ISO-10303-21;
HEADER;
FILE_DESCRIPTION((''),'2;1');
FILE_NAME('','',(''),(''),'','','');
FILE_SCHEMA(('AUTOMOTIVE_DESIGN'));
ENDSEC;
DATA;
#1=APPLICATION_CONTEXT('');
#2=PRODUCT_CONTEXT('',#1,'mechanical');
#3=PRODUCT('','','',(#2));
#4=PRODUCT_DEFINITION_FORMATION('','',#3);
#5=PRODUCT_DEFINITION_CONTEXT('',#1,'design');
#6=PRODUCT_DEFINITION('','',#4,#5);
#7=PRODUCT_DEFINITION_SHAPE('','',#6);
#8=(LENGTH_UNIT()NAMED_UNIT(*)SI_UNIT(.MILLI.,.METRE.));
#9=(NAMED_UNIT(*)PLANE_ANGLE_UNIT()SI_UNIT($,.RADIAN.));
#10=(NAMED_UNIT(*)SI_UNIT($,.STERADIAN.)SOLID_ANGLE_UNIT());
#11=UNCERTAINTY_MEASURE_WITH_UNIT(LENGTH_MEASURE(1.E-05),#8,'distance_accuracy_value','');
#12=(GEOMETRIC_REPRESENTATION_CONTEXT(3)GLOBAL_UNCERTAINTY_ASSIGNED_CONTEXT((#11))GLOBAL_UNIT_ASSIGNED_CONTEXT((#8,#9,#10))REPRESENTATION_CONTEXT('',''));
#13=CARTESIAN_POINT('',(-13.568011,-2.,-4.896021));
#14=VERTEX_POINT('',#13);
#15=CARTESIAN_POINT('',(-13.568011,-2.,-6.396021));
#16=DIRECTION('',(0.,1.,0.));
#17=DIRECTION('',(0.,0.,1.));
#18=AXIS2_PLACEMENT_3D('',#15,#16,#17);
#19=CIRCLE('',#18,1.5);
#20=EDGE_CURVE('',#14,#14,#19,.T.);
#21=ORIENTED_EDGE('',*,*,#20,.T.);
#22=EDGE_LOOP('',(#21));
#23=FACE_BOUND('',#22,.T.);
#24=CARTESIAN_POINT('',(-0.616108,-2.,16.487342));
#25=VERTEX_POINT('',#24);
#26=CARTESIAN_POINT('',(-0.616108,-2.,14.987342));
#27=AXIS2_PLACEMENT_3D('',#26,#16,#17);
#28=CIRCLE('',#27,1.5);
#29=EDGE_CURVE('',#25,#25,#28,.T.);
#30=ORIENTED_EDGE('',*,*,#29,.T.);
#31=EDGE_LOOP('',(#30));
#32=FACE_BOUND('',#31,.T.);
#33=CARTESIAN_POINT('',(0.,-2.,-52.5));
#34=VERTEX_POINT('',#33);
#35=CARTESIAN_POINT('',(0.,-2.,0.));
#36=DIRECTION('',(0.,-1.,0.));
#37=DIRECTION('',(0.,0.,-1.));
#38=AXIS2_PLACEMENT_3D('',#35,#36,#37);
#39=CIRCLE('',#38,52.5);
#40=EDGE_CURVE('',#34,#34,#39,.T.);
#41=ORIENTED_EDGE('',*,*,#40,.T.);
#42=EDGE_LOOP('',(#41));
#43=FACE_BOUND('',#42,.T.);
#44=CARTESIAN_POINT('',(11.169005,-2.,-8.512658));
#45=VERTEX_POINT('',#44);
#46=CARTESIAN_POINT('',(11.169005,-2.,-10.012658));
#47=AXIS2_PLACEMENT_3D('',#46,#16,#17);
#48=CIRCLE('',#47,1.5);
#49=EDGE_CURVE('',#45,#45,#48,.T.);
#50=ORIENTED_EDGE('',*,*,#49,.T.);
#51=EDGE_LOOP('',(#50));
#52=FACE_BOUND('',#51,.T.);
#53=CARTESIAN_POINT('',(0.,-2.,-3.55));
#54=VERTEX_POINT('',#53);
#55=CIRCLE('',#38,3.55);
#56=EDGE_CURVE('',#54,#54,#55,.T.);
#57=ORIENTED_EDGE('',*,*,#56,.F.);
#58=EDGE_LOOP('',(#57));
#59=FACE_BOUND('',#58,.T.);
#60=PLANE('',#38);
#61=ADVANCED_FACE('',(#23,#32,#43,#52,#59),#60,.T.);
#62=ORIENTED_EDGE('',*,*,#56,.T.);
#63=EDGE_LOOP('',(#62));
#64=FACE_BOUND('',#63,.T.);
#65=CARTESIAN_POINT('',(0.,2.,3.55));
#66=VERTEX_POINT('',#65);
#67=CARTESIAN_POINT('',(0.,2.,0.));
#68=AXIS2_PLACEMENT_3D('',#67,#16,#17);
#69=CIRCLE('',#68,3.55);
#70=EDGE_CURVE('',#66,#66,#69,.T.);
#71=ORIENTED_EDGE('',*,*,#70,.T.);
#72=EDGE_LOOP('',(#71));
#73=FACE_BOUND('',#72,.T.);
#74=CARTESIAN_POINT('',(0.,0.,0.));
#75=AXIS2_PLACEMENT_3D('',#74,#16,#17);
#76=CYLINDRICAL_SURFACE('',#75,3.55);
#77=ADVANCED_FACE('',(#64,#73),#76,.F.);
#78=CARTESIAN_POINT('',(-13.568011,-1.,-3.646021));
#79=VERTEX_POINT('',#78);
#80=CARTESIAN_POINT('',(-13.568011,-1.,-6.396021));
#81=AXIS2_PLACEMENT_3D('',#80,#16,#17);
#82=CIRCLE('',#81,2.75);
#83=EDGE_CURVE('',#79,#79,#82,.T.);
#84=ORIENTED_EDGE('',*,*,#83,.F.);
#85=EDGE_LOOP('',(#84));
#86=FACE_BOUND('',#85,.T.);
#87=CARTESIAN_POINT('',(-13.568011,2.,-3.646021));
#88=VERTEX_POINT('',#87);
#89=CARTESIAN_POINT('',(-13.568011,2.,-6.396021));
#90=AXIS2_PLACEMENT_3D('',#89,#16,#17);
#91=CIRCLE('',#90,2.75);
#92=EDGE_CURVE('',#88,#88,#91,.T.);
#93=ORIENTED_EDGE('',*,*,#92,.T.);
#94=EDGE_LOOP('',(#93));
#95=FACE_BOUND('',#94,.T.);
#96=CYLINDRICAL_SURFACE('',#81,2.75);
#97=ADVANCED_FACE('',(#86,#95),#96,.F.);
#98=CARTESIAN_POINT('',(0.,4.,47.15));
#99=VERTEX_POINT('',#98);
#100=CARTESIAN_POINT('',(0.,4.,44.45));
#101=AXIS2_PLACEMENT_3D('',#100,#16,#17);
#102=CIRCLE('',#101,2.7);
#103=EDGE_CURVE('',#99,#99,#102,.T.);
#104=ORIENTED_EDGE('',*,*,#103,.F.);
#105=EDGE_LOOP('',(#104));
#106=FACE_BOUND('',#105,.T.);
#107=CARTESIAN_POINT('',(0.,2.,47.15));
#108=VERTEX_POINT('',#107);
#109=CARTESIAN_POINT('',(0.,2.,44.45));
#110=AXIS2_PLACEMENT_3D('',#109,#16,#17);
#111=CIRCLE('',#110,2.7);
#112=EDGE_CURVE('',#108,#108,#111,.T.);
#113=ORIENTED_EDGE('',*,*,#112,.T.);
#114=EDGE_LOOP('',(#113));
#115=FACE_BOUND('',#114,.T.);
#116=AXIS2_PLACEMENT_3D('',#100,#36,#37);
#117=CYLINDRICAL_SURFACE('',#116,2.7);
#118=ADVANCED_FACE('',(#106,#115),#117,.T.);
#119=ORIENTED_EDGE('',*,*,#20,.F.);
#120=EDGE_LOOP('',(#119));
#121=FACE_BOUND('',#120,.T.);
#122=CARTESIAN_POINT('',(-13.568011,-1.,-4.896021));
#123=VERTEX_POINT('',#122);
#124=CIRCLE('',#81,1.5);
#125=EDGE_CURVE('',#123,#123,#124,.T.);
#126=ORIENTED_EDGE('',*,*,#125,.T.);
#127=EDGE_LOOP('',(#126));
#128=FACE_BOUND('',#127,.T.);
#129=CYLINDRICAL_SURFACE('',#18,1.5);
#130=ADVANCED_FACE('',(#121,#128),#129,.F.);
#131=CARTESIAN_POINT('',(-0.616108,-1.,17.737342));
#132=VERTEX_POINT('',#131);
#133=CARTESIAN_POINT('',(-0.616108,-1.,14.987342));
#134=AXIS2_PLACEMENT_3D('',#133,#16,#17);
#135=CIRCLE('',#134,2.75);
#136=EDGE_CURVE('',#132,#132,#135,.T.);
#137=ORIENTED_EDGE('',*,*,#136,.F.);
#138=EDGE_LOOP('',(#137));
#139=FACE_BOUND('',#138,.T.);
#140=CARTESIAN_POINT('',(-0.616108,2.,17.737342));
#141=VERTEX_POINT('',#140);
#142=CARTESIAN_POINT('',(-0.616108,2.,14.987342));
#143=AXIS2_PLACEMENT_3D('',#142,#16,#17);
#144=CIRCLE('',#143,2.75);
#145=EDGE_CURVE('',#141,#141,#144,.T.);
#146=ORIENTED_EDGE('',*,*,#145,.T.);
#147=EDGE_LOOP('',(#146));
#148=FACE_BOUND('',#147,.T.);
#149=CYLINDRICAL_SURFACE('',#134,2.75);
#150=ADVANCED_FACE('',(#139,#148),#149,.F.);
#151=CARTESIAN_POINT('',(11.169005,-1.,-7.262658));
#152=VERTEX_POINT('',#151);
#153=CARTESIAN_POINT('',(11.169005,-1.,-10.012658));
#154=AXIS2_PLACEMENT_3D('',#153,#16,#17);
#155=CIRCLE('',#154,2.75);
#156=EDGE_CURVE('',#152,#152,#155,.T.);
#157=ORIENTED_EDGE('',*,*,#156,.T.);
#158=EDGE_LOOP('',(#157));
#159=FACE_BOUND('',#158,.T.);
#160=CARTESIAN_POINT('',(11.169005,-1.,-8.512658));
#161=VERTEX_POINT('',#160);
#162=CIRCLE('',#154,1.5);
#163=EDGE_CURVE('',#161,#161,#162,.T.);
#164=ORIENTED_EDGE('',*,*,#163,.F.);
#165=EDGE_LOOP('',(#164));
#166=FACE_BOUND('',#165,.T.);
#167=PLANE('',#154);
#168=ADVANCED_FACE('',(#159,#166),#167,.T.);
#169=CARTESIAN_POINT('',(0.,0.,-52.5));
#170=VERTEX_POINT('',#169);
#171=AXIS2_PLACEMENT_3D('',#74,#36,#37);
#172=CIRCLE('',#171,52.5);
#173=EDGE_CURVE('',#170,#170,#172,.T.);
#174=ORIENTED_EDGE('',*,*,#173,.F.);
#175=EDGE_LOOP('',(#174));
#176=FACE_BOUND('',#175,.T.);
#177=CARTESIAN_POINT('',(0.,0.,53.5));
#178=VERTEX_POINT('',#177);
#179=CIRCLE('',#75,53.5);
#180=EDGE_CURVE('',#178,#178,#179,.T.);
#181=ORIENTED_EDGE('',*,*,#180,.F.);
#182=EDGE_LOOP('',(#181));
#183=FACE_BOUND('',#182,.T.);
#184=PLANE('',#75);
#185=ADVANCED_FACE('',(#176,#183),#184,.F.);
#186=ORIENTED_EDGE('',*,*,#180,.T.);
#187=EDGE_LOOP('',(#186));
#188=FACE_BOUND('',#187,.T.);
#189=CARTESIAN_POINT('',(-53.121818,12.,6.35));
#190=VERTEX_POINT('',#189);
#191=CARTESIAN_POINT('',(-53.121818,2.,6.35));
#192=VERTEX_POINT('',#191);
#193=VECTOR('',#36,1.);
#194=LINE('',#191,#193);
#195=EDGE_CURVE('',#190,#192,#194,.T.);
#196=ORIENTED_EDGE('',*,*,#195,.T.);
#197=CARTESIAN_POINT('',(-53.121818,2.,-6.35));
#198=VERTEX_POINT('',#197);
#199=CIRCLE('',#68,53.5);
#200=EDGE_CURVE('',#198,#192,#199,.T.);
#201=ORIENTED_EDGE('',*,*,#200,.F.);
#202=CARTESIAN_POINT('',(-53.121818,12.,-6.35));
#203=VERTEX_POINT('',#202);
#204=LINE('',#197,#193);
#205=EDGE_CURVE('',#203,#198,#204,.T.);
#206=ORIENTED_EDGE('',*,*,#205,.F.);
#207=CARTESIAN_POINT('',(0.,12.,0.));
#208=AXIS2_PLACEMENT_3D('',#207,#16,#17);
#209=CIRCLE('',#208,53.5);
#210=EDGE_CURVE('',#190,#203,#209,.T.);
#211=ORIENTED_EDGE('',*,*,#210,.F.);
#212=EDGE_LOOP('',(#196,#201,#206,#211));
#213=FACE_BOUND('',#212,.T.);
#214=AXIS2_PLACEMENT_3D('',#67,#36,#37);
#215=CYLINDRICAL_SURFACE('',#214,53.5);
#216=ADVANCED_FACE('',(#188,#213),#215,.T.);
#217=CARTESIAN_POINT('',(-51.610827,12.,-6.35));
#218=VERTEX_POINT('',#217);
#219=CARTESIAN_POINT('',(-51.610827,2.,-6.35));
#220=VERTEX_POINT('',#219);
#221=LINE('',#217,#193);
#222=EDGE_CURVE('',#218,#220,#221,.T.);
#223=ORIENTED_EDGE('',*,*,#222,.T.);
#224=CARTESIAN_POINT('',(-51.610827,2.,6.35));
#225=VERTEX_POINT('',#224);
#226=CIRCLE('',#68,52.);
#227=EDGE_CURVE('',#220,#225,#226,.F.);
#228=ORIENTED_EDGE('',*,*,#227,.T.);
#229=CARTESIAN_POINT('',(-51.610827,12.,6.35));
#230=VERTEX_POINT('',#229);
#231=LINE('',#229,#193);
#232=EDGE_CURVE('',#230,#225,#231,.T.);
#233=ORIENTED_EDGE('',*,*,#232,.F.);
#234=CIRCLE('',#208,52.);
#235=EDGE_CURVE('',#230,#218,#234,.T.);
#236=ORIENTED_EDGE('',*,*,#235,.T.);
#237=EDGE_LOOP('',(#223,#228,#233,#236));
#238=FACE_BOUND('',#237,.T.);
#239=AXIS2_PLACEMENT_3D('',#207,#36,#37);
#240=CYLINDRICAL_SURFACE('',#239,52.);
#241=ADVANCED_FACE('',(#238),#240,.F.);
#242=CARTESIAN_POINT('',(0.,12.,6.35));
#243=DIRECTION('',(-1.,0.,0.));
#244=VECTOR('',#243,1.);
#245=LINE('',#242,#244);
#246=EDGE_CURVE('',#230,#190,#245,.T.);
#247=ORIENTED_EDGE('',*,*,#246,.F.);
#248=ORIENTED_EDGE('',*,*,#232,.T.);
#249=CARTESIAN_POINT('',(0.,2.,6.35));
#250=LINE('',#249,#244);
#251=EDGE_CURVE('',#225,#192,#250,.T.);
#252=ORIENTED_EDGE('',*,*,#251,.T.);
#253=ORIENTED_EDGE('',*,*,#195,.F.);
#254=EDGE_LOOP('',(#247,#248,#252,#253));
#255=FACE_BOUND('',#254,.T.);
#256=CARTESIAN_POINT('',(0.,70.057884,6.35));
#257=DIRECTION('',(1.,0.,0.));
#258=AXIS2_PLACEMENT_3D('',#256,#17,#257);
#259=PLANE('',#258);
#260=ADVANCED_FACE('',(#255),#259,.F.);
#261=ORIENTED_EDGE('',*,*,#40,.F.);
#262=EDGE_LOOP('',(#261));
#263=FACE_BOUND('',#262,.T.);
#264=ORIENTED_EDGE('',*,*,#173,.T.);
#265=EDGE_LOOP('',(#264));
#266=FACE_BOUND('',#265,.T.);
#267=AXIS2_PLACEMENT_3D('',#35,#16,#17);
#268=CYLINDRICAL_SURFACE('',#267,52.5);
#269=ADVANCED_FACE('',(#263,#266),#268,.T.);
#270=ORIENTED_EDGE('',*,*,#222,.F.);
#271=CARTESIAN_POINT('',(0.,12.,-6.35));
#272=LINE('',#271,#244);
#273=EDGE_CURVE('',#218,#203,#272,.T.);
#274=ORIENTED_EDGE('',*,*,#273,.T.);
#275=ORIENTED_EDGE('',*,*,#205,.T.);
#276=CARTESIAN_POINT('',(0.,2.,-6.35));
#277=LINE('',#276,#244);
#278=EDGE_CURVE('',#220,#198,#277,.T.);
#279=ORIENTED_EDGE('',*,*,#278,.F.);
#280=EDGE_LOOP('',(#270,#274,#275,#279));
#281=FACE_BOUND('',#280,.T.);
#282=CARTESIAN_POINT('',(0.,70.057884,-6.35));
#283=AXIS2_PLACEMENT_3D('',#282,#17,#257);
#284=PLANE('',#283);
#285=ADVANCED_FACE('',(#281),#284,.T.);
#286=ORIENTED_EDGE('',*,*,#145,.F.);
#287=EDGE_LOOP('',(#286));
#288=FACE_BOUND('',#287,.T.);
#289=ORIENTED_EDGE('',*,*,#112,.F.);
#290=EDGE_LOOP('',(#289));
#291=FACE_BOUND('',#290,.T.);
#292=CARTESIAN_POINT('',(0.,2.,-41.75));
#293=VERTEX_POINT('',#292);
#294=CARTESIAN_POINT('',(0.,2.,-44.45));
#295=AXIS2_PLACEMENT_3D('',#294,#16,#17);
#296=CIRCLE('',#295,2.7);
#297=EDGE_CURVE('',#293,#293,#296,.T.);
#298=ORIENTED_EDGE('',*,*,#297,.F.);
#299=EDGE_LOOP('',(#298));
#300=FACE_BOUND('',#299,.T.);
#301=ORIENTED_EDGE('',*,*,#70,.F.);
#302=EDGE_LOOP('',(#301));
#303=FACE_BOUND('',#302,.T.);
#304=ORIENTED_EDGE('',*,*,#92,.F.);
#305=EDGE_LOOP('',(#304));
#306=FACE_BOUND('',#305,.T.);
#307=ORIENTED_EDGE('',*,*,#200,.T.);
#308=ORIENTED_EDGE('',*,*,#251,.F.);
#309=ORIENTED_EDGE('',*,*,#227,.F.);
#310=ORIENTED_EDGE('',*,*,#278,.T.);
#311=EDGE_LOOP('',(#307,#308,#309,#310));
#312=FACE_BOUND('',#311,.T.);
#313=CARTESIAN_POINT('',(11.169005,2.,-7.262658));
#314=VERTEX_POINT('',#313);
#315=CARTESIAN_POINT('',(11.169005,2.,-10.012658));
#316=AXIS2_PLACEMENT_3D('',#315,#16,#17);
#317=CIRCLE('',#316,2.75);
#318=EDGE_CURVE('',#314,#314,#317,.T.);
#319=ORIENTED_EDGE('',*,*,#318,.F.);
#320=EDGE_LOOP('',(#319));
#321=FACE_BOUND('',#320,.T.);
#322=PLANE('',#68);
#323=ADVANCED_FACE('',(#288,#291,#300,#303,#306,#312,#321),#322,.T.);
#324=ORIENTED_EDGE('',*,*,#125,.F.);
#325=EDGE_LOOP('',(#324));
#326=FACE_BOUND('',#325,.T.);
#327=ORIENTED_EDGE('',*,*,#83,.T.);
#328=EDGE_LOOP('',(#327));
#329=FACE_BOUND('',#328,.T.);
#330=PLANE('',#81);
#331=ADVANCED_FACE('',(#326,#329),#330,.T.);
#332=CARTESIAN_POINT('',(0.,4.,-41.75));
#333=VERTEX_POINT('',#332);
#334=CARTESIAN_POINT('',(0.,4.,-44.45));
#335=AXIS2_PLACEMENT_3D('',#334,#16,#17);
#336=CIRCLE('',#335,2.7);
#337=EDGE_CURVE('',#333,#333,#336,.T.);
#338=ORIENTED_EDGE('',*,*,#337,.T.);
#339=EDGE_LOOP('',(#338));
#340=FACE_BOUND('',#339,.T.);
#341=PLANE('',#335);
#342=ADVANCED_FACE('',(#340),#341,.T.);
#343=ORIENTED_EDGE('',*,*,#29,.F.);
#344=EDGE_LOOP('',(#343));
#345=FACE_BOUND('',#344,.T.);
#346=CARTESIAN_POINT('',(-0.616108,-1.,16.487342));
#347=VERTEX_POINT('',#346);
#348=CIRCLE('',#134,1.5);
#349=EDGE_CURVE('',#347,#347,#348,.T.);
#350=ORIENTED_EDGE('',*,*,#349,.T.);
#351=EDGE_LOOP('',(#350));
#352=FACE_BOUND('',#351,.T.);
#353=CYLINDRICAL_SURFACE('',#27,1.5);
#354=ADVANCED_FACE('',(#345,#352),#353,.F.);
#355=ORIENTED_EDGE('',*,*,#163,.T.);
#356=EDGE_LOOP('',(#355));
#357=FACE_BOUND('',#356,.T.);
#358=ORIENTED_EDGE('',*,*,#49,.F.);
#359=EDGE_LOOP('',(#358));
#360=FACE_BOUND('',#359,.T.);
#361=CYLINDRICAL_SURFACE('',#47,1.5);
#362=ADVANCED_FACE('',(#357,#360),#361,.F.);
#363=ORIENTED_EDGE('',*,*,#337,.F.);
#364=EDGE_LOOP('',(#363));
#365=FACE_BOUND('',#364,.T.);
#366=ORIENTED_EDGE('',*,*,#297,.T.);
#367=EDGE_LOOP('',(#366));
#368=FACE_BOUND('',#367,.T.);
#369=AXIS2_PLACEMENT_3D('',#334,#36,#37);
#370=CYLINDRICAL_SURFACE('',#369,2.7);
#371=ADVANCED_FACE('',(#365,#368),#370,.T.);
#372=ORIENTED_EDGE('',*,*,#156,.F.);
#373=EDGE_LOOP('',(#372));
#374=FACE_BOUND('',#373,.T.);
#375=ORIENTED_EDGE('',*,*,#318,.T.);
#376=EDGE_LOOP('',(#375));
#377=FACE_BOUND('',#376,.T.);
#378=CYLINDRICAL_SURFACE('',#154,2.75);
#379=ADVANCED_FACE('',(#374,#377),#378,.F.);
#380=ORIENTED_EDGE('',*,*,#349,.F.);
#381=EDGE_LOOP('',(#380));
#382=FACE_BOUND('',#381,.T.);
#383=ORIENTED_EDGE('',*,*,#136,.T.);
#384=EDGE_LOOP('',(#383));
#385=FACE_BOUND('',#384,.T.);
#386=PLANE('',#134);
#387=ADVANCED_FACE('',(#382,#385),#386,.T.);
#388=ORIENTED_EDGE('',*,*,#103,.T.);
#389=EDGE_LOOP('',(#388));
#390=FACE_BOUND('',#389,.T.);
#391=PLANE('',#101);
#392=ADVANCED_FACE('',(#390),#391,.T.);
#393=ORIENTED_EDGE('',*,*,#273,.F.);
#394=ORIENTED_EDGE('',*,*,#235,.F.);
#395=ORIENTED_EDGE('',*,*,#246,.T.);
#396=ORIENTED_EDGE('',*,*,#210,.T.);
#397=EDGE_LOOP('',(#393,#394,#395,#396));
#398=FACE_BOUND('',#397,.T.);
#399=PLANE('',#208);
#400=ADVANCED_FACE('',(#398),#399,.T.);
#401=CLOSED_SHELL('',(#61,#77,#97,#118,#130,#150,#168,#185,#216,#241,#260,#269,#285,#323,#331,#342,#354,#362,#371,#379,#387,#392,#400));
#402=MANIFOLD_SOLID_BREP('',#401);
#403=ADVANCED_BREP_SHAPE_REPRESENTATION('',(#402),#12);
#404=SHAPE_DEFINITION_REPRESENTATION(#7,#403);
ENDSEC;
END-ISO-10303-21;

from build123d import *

# Parameters (mm, degrees)
SKETCH1_R           = 53.5
BOSS_EXTRUDE1_DEPTH = 2
SKETCH2_R           = 2.7
BOSS_EXTRUDE2_DEPTH = 2
SKETCH3_R           = 3.55
CUT_EXTRUDE1_DEPTH  = 2
SKETCH7_R           = 53.5
SKETCH7_R_2         = 52
BOSS_EXTRUDE3_DEPTH = 10
SKETCH8_W           = 56.651812746
SKETCH8_H           = 12.7
CUT_EXTRUDE4_DEPTH  = 10
SKETCH13_R          = 52.5
SKETCH13_R_2        = 3.55
BOSS_EXTRUDE4_DEPTH = 2
SKETCH12_R          = 2.75
CUT_EXTRUDE6_DEPTH  = 3
SKETCH16_R          = 1.5
CUT_EXTRUDE8_DEPTH  = 2


with BuildPart() as part:
    # Sketch1 → Boss-Extrude1 (new body)
    with BuildSketch(Plane(origin=(0, 0, 0), x_dir=(1, 0, 0), z_dir=(0, 1, 0))):
        Circle(SKETCH1_R)
    extrude(amount=BOSS_EXTRUDE1_DEPTH)

    # Sketch2 → Boss-Extrude2 (add)
    with BuildSketch(Plane(origin=(0, 2, 0), x_dir=(1, 0, 0), z_dir=(0, 1, 0))):
        with Locations((0, -44.45)):
            Circle(SKETCH2_R)
        with Locations((0, 44.45)):
            Circle(SKETCH2_R)
    extrude(amount=BOSS_EXTRUDE2_DEPTH)

    # Sketch3 → Cut-Extrude1 (cut)
    with BuildSketch(Plane(origin=(0, 2, 0), x_dir=(1, 0, 0), z_dir=(0, 1, 0))):
        Circle(SKETCH3_R)
    extrude(amount=-CUT_EXTRUDE1_DEPTH, mode=Mode.SUBTRACT)

    # Sketch7 → Boss-Extrude3 (add)
    with BuildSketch(Plane(origin=(0, 2, 0), x_dir=(1, 0, 0), z_dir=(0, 1, 0))):
        Circle(SKETCH7_R)
        Circle(SKETCH7_R_2, mode=Mode.SUBTRACT)
    extrude(amount=BOSS_EXTRUDE3_DEPTH)

    # Sketch8 → Cut-Extrude4 (cut)
    with BuildSketch(Plane(origin=(0, 2, 0), x_dir=(1, 0, 0), z_dir=(0, 1, 0))):
        with Locations((-28.325906373, 0)):
            Rectangle(SKETCH8_W, SKETCH8_H)
    extrude(amount=CUT_EXTRUDE4_DEPTH, mode=Mode.SUBTRACT)

    # Sketch13 → Boss-Extrude4 (add)
    with BuildSketch(Plane.XZ):
        Circle(SKETCH13_R)
        Circle(SKETCH13_R_2, mode=Mode.SUBTRACT)
    extrude(amount=BOSS_EXTRUDE4_DEPTH)

    # Sketch12 → Cut-Extrude6 (cut)
    with BuildSketch(Plane(origin=(0, 2, 0), x_dir=(1, 0, 0), z_dir=(0, 1, 0))):
        with Locations((11.16900504, 10.012658309)):
            Circle(SKETCH12_R)
        with Locations((-0.61610798, -14.987341691)):
            Circle(SKETCH12_R)
        with Locations((-13.568010506, 6.396021491)):
            Circle(SKETCH12_R)
    extrude(amount=-CUT_EXTRUDE6_DEPTH, mode=Mode.SUBTRACT)

    # Sketch16 → Cut-Extrude8 (cut, through all)
    with BuildSketch(Plane(origin=(0, -1, 0), x_dir=(1, 0, 0), z_dir=(0, 1, 0))):
        with Locations((11.16900504, 10.012658309)):
            Circle(SKETCH16_R)
        with Locations((-0.61610798, -14.987341691)):
            Circle(SKETCH16_R)
        with Locations((-13.568010506, 6.396021491)):
            Circle(SKETCH16_R)
    extrude(amount=-CUT_EXTRUDE8_DEPTH, mode=Mode.SUBTRACT)


solid = part.part
